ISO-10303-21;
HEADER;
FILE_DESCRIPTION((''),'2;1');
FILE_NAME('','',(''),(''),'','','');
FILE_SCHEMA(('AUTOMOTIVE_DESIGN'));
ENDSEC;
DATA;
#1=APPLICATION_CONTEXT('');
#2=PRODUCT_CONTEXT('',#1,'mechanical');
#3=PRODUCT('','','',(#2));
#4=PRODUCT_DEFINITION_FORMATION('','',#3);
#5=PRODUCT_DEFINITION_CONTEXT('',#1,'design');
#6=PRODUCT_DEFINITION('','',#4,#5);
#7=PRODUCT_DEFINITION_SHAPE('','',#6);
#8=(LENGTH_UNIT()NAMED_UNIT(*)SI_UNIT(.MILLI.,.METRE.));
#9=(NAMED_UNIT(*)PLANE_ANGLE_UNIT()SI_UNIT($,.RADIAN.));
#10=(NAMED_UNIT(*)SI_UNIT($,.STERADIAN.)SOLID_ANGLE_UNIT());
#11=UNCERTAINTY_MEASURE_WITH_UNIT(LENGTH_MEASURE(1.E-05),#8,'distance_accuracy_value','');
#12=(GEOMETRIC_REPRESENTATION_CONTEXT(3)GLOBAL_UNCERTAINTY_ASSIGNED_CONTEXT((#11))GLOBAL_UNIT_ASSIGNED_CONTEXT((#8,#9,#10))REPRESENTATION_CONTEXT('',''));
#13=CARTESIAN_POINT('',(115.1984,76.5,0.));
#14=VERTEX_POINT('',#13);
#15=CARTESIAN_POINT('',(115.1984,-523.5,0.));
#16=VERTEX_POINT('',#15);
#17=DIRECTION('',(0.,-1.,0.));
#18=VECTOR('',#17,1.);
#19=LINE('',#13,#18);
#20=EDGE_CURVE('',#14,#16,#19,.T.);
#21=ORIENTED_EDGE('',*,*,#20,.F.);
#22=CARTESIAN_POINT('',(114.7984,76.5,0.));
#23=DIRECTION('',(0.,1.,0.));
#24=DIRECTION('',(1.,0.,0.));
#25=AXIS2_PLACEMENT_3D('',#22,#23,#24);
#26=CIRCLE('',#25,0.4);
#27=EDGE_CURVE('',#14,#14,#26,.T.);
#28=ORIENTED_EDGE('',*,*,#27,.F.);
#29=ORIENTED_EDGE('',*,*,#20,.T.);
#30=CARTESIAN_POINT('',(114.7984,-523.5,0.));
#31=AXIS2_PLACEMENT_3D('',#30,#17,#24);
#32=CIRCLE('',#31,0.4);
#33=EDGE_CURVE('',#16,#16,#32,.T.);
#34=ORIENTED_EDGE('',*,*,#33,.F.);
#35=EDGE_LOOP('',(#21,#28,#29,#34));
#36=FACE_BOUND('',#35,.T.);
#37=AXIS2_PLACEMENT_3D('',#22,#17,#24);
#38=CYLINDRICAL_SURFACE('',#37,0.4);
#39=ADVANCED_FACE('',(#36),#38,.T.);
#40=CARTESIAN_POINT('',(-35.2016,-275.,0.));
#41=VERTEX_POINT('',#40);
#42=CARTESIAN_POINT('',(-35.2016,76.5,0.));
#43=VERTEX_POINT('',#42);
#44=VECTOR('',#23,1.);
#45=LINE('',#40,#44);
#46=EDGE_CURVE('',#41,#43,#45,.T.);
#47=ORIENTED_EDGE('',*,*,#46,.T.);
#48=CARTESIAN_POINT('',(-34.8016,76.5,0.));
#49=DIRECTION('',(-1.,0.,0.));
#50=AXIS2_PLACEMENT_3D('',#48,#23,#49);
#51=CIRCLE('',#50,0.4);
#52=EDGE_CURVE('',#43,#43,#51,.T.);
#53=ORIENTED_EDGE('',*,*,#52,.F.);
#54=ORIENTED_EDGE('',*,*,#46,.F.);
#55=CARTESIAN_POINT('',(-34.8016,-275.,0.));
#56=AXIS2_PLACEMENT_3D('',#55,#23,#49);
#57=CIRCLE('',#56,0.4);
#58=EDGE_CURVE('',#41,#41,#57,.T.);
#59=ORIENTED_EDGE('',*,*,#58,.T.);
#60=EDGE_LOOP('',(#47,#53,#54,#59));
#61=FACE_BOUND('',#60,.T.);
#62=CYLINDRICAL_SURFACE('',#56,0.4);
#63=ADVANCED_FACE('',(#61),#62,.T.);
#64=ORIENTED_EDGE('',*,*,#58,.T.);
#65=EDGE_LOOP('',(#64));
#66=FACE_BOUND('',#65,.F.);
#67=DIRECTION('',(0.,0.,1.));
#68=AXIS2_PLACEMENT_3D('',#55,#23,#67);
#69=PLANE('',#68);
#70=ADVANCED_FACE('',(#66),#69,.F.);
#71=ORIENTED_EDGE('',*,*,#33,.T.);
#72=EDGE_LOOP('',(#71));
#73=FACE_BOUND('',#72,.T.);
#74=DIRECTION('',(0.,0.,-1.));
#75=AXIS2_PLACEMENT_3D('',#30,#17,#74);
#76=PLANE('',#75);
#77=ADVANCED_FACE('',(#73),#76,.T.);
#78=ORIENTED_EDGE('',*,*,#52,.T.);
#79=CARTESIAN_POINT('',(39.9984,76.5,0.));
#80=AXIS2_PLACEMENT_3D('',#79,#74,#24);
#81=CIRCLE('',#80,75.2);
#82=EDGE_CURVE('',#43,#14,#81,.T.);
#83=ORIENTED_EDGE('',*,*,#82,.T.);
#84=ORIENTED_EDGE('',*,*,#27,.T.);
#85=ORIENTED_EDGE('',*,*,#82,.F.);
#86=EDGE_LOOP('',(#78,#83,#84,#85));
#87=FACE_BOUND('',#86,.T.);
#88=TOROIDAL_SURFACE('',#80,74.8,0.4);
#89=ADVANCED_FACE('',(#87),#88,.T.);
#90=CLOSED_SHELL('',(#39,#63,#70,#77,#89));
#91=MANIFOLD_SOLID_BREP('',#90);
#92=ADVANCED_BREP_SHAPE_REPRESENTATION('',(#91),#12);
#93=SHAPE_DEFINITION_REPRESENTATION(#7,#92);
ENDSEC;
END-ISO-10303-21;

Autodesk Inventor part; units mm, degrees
ref_plane "YZ Plane" through (0, 0, 0) normal (1, 0, 0) x (0, 1, 0)
ref_plane "XZ Plane" through (0, 0, 0) normal (0, 1, 0) x (-1, 0, 0)
ref_plane "XY Plane" through (0, 0, 0) normal (0, 0, 1) x (1, 0, 0)
sketch "Sketch1" plane through (0, 0, 0) normal (0, 0, 1) x (1, 0, 0)
  line L0 (-62.8016, -575) -> (-6.8016, -575) projected
  circle A0 centre (39.9984, 76.5) radius 74.8 construction
  line L1 (-34.8016, -275) -> (-34.8016, 76.5)
  line L2 (114.7984, 76.5) -> (114.7984, -523.5)
  arc A1 (114.7984, 76.5) -> (-34.8016, 76.5) centre (39.9984, 76.5) ccw
  dimension "d0" = 300
  dimension "d6" = 600
ref_plane "Work Plane1" through (-34.8016, -275, 0) normal (0, 1, 0) x (-1, 0, 0)
sketch "Sketch2" plane through (-34.8016, -275, 0) normal (0, 1, 0) x (-1, 0, 0)
  circle A0 centre (0, 0) radius 0.4
  point P0 (-34.8016, 0)
  dimension "d2" = 0.8
  dimension "d3" = 34.8016
sweep "Sweep2" add profiles "Sketch2" path "Sketch1" path curves L1 A1 L2
properties part number "M2Thread"
